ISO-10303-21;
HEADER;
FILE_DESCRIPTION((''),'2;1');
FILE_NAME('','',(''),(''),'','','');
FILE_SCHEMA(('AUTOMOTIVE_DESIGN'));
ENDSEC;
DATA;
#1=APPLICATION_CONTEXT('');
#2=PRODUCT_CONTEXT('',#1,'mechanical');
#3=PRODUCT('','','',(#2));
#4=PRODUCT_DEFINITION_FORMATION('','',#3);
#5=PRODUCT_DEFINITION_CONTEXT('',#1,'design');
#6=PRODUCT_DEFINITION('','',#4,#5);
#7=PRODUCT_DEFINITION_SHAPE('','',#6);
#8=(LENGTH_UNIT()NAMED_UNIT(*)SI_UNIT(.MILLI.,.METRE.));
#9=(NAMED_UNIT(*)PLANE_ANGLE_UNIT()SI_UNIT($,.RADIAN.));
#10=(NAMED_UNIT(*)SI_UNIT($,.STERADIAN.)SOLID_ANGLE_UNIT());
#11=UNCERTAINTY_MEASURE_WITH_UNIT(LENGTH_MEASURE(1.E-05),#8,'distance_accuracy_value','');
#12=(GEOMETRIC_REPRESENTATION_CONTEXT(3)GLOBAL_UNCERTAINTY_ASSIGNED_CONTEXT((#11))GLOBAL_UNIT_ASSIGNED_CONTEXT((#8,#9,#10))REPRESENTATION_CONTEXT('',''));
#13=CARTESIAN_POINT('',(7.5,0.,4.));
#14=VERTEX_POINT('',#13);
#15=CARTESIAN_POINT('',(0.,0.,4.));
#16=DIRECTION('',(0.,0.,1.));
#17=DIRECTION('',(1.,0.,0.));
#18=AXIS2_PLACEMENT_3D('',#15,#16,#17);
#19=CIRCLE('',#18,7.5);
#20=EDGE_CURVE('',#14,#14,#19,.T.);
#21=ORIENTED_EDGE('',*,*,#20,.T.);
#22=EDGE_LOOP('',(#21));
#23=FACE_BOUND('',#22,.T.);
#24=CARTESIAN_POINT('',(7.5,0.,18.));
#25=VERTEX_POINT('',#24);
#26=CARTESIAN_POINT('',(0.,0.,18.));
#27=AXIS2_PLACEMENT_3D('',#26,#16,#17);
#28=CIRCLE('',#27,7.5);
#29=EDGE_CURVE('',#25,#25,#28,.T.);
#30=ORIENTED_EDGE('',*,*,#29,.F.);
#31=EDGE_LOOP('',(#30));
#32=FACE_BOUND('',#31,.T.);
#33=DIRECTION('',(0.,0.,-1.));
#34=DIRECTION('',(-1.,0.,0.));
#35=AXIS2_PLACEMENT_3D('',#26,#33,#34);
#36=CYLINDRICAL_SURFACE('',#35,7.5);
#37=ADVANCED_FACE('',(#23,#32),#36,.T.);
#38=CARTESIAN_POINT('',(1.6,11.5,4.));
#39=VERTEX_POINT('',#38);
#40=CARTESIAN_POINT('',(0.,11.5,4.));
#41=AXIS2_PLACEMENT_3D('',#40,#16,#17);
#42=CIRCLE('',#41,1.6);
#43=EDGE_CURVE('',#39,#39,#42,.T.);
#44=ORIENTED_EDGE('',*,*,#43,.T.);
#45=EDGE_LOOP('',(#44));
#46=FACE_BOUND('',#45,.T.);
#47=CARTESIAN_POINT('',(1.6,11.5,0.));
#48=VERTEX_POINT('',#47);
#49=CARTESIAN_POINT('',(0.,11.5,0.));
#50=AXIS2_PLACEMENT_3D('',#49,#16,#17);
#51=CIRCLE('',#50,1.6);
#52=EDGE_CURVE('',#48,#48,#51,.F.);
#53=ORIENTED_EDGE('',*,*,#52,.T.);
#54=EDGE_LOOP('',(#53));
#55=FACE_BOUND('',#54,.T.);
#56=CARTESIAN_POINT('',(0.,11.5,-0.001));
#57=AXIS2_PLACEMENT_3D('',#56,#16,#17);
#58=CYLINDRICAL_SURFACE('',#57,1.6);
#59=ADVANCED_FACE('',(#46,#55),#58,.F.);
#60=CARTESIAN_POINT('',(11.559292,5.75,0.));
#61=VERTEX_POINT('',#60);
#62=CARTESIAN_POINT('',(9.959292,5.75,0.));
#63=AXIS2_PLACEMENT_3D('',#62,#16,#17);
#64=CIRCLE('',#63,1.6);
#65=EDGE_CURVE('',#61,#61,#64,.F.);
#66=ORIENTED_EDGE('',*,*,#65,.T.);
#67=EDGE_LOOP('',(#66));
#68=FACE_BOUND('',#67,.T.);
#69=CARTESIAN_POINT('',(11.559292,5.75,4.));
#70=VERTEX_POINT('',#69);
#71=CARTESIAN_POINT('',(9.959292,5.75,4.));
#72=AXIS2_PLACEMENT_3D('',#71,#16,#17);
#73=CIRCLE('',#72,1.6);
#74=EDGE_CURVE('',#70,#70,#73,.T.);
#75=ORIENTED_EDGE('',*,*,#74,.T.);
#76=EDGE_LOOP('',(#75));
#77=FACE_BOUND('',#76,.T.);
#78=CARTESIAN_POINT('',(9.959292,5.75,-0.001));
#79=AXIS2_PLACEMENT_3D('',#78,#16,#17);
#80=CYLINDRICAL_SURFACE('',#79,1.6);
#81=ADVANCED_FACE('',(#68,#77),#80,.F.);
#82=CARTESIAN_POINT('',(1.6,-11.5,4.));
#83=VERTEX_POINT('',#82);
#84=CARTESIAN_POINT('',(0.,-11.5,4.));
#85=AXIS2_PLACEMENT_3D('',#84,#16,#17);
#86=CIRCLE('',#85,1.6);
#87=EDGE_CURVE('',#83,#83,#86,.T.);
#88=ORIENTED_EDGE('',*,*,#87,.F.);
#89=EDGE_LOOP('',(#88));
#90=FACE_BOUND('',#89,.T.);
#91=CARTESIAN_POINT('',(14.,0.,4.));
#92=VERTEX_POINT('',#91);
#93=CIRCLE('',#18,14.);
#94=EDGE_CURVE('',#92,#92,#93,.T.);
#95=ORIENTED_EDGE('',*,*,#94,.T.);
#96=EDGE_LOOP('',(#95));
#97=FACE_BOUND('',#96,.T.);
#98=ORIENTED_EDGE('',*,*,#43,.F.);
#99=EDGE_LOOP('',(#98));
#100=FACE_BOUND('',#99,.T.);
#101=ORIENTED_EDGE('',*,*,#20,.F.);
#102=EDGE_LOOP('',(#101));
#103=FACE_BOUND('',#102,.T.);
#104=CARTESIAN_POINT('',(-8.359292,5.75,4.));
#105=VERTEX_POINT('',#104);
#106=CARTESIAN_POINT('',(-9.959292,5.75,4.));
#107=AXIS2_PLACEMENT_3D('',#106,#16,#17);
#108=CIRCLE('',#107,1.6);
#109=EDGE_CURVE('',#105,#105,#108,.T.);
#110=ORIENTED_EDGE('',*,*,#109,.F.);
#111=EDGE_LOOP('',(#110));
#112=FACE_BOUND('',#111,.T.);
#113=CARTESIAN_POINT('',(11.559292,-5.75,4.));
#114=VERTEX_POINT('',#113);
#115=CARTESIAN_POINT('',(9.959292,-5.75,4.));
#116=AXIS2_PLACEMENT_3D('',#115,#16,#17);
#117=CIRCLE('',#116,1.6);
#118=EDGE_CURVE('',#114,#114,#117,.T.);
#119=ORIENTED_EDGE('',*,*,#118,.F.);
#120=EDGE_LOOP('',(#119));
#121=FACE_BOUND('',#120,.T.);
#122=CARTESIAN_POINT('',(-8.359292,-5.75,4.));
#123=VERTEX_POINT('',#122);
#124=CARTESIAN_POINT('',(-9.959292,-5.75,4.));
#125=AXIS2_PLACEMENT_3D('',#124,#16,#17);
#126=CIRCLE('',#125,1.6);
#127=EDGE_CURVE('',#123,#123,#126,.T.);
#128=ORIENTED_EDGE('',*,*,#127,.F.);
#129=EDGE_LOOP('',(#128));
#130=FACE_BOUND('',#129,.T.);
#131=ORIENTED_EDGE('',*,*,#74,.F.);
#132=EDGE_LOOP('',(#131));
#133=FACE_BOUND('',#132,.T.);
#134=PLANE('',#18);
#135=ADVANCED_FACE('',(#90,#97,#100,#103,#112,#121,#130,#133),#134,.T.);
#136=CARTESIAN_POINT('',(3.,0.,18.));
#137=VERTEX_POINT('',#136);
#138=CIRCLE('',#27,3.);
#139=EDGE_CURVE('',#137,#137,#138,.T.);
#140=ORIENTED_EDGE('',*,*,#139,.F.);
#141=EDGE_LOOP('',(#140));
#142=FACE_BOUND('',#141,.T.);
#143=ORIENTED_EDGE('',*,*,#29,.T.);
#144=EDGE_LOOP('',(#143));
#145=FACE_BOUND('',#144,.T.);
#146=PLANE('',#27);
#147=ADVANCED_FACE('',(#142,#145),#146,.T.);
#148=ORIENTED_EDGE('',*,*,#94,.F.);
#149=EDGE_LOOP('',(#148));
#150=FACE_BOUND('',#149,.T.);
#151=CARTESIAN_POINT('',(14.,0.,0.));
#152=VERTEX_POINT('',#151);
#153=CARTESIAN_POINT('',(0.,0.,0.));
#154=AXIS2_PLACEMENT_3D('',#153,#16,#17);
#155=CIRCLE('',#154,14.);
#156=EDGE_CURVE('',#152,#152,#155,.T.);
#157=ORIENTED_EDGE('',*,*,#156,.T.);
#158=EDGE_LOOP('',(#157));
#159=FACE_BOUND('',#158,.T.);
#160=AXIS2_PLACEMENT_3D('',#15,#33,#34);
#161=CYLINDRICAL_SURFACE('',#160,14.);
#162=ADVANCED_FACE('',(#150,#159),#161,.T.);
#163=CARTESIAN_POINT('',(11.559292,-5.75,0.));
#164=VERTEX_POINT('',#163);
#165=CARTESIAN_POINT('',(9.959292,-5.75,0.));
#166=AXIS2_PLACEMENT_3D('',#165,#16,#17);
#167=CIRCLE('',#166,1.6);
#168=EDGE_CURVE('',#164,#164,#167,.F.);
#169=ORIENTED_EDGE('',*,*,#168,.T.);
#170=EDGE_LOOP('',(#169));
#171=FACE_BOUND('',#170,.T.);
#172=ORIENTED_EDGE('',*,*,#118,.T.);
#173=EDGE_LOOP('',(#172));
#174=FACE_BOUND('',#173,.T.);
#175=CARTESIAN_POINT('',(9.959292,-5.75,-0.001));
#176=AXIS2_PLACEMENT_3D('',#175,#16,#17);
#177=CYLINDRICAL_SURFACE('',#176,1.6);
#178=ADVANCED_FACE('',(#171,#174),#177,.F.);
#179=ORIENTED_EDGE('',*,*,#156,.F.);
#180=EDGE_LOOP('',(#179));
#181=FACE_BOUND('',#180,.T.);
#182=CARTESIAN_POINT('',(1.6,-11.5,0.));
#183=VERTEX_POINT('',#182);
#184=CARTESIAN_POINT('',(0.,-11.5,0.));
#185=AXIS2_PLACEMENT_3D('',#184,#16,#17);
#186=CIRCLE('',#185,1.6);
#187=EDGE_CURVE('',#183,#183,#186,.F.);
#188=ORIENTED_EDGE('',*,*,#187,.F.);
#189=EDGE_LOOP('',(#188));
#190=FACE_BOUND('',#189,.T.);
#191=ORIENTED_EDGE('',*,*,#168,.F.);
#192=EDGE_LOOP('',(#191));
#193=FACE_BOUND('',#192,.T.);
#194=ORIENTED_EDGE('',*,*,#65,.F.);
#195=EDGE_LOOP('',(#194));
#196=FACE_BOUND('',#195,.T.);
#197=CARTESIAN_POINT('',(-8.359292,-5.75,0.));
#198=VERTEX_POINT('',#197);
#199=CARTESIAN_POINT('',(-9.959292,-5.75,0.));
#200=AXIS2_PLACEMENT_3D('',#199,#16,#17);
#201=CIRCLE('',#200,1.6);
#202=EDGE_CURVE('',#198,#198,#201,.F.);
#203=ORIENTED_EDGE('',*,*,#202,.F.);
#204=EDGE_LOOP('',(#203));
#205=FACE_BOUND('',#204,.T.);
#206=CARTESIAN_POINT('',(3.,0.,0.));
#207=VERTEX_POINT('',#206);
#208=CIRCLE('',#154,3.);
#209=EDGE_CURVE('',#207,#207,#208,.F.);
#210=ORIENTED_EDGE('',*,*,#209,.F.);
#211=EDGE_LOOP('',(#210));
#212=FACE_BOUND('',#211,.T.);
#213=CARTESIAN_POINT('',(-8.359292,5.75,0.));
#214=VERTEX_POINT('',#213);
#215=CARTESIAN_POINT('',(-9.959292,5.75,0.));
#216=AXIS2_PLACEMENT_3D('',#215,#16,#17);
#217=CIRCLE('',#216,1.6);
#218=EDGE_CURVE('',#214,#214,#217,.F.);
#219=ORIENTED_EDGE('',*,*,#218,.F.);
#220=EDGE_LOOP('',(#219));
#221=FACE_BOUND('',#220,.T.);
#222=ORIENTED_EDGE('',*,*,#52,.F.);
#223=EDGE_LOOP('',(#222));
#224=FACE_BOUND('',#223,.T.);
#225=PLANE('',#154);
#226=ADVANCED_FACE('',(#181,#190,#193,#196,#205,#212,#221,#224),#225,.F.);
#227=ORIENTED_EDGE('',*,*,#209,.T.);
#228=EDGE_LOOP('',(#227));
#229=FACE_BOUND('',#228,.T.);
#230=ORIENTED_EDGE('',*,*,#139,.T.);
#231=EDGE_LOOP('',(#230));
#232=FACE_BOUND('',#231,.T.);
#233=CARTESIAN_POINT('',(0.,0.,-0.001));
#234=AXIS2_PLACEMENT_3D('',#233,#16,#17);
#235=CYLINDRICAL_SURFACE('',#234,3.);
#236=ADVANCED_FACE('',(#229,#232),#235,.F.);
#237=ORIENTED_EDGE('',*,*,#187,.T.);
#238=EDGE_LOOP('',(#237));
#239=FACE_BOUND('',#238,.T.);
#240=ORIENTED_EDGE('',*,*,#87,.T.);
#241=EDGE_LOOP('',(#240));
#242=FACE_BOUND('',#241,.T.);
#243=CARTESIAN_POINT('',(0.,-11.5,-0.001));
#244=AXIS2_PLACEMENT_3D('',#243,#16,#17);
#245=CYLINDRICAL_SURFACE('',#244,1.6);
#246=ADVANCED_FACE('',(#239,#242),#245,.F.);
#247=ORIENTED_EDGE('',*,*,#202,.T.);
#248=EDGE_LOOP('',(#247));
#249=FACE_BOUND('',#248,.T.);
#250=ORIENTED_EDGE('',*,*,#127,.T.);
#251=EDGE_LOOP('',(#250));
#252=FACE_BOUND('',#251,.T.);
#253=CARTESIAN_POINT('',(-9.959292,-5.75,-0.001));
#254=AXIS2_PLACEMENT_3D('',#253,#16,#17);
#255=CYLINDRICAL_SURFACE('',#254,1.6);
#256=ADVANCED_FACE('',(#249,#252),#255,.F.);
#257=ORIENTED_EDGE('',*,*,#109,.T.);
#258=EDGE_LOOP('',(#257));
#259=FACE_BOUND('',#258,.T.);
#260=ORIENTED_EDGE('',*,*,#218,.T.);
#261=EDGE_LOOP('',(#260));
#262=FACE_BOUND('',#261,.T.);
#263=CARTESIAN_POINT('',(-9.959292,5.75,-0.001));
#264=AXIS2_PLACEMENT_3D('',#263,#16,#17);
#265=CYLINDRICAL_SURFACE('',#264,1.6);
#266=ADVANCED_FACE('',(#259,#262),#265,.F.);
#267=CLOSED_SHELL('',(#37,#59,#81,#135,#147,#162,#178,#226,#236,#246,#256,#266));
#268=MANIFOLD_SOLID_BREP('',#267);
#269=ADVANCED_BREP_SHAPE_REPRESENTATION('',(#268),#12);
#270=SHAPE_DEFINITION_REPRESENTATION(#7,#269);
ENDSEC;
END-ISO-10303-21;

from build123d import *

# Parameters (mm, degrees)
SKETCH_1_R          = 14
EXTRUDE_1_DEPTH     = 4
SKETCH_2_R          = 7.5
EXTRUDE_2_DEPTH     = 14
CUT_EXTRUDE_1_REACH = 28.758
SKETCH_3_R          = 3
CUT_EXTRUDE_2_REACH = 26.249
SKETCH_4_R          = 1.6


with BuildPart() as part:
    # 草图1 → 凸台-拉伸1 (new body)
    with BuildSketch(Plane.XY):
        Circle(SKETCH_1_R)
    extrude(amount=EXTRUDE_1_DEPTH)

    # 草图2 → 凸台-拉伸2 (add)
    with BuildSketch(Plane.XY.offset(4)):
        Circle(SKETCH_2_R)
    extrude(amount=EXTRUDE_2_DEPTH)

    # 草图3 → 切除-拉伸1 (cut, up to next)
    with BuildSketch(Plane.XY.offset(18), mode=Mode.PRIVATE) as cut_extrude_1_sk1:
        Circle(SKETCH_3_R)
    cut_extrude_1_tool1 = extrude(cut_extrude_1_sk1.sketch, amount=-CUT_EXTRUDE_1_REACH, mode=Mode.PRIVATE) & part.part
    add(cut_extrude_1_tool1.solids().sort_by_distance((0, 0, 18))[0], mode=Mode.SUBTRACT)

    # 草图4 → 切除-拉伸2 (cut, up to next)
    with BuildSketch(Plane.XY.offset(4), mode=Mode.PRIVATE) as cut_extrude_2_sk1:
        with Locations((0, 11.5)):
            Circle(SKETCH_4_R)
    cut_extrude_2_tool1 = extrude(cut_extrude_2_sk1.sketch, amount=-CUT_EXTRUDE_2_REACH, mode=Mode.PRIVATE) & part.part
    # 草图4 → 切除-拉伸2 (cut, up to next)
    with BuildSketch(Plane.XY.offset(4), mode=Mode.PRIVATE) as cut_extrude_2_sk2:
        with Locations((9.959292144, 5.75)):
            Circle(SKETCH_4_R)
    cut_extrude_2_tool2 = extrude(cut_extrude_2_sk2.sketch, amount=-CUT_EXTRUDE_2_REACH, mode=Mode.PRIVATE) & part.part
    # 草图4 → 切除-拉伸2 (cut, up to next)
    with BuildSketch(Plane.XY.offset(4), mode=Mode.PRIVATE) as cut_extrude_2_sk3:
        with Locations((9.959292144, -5.75)):
            Circle(SKETCH_4_R)
    cut_extrude_2_tool3 = extrude(cut_extrude_2_sk3.sketch, amount=-CUT_EXTRUDE_2_REACH, mode=Mode.PRIVATE) & part.part
    # 草图4 → 切除-拉伸2 (cut, up to next)
    with BuildSketch(Plane.XY.offset(4), mode=Mode.PRIVATE) as cut_extrude_2_sk4:
        with Locations((0, -11.5)):
            Circle(SKETCH_4_R)
    cut_extrude_2_tool4 = extrude(cut_extrude_2_sk4.sketch, amount=-CUT_EXTRUDE_2_REACH, mode=Mode.PRIVATE) & part.part
    # 草图4 → 切除-拉伸2 (cut, up to next)
    with BuildSketch(Plane.XY.offset(4), mode=Mode.PRIVATE) as cut_extrude_2_sk5:
        with Locations((-9.959292144, -5.75)):
            Circle(SKETCH_4_R)
    cut_extrude_2_tool5 = extrude(cut_extrude_2_sk5.sketch, amount=-CUT_EXTRUDE_2_REACH, mode=Mode.PRIVATE) & part.part
    # 草图4 → 切除-拉伸2 (cut, up to next)
    with BuildSketch(Plane.XY.offset(4), mode=Mode.PRIVATE) as cut_extrude_2_sk6:
        with Locations((-9.959292144, 5.75)):
            Circle(SKETCH_4_R)
    cut_extrude_2_tool6 = extrude(cut_extrude_2_sk6.sketch, amount=-CUT_EXTRUDE_2_REACH, mode=Mode.PRIVATE) & part.part
    add(cut_extrude_2_tool1.solids().sort_by_distance((0, 11.5, 4))[0], mode=Mode.SUBTRACT)
    add(cut_extrude_2_tool2.solids().sort_by_distance((9.959292, 5.75, 4))[0], mode=Mode.SUBTRACT)
    add(cut_extrude_2_tool3.solids().sort_by_distance((9.959292, -5.75, 4))[0], mode=Mode.SUBTRACT)
    add(cut_extrude_2_tool4.solids().sort_by_distance((0, -11.5, 4))[0], mode=Mode.SUBTRACT)
    add(cut_extrude_2_tool5.solids().sort_by_distance((-9.959292, -5.75, 4))[0], mode=Mode.SUBTRACT)
    add(cut_extrude_2_tool6.solids().sort_by_distance((-9.959292, 5.75, 4))[0], mode=Mode.SUBTRACT)


solid = part.part
